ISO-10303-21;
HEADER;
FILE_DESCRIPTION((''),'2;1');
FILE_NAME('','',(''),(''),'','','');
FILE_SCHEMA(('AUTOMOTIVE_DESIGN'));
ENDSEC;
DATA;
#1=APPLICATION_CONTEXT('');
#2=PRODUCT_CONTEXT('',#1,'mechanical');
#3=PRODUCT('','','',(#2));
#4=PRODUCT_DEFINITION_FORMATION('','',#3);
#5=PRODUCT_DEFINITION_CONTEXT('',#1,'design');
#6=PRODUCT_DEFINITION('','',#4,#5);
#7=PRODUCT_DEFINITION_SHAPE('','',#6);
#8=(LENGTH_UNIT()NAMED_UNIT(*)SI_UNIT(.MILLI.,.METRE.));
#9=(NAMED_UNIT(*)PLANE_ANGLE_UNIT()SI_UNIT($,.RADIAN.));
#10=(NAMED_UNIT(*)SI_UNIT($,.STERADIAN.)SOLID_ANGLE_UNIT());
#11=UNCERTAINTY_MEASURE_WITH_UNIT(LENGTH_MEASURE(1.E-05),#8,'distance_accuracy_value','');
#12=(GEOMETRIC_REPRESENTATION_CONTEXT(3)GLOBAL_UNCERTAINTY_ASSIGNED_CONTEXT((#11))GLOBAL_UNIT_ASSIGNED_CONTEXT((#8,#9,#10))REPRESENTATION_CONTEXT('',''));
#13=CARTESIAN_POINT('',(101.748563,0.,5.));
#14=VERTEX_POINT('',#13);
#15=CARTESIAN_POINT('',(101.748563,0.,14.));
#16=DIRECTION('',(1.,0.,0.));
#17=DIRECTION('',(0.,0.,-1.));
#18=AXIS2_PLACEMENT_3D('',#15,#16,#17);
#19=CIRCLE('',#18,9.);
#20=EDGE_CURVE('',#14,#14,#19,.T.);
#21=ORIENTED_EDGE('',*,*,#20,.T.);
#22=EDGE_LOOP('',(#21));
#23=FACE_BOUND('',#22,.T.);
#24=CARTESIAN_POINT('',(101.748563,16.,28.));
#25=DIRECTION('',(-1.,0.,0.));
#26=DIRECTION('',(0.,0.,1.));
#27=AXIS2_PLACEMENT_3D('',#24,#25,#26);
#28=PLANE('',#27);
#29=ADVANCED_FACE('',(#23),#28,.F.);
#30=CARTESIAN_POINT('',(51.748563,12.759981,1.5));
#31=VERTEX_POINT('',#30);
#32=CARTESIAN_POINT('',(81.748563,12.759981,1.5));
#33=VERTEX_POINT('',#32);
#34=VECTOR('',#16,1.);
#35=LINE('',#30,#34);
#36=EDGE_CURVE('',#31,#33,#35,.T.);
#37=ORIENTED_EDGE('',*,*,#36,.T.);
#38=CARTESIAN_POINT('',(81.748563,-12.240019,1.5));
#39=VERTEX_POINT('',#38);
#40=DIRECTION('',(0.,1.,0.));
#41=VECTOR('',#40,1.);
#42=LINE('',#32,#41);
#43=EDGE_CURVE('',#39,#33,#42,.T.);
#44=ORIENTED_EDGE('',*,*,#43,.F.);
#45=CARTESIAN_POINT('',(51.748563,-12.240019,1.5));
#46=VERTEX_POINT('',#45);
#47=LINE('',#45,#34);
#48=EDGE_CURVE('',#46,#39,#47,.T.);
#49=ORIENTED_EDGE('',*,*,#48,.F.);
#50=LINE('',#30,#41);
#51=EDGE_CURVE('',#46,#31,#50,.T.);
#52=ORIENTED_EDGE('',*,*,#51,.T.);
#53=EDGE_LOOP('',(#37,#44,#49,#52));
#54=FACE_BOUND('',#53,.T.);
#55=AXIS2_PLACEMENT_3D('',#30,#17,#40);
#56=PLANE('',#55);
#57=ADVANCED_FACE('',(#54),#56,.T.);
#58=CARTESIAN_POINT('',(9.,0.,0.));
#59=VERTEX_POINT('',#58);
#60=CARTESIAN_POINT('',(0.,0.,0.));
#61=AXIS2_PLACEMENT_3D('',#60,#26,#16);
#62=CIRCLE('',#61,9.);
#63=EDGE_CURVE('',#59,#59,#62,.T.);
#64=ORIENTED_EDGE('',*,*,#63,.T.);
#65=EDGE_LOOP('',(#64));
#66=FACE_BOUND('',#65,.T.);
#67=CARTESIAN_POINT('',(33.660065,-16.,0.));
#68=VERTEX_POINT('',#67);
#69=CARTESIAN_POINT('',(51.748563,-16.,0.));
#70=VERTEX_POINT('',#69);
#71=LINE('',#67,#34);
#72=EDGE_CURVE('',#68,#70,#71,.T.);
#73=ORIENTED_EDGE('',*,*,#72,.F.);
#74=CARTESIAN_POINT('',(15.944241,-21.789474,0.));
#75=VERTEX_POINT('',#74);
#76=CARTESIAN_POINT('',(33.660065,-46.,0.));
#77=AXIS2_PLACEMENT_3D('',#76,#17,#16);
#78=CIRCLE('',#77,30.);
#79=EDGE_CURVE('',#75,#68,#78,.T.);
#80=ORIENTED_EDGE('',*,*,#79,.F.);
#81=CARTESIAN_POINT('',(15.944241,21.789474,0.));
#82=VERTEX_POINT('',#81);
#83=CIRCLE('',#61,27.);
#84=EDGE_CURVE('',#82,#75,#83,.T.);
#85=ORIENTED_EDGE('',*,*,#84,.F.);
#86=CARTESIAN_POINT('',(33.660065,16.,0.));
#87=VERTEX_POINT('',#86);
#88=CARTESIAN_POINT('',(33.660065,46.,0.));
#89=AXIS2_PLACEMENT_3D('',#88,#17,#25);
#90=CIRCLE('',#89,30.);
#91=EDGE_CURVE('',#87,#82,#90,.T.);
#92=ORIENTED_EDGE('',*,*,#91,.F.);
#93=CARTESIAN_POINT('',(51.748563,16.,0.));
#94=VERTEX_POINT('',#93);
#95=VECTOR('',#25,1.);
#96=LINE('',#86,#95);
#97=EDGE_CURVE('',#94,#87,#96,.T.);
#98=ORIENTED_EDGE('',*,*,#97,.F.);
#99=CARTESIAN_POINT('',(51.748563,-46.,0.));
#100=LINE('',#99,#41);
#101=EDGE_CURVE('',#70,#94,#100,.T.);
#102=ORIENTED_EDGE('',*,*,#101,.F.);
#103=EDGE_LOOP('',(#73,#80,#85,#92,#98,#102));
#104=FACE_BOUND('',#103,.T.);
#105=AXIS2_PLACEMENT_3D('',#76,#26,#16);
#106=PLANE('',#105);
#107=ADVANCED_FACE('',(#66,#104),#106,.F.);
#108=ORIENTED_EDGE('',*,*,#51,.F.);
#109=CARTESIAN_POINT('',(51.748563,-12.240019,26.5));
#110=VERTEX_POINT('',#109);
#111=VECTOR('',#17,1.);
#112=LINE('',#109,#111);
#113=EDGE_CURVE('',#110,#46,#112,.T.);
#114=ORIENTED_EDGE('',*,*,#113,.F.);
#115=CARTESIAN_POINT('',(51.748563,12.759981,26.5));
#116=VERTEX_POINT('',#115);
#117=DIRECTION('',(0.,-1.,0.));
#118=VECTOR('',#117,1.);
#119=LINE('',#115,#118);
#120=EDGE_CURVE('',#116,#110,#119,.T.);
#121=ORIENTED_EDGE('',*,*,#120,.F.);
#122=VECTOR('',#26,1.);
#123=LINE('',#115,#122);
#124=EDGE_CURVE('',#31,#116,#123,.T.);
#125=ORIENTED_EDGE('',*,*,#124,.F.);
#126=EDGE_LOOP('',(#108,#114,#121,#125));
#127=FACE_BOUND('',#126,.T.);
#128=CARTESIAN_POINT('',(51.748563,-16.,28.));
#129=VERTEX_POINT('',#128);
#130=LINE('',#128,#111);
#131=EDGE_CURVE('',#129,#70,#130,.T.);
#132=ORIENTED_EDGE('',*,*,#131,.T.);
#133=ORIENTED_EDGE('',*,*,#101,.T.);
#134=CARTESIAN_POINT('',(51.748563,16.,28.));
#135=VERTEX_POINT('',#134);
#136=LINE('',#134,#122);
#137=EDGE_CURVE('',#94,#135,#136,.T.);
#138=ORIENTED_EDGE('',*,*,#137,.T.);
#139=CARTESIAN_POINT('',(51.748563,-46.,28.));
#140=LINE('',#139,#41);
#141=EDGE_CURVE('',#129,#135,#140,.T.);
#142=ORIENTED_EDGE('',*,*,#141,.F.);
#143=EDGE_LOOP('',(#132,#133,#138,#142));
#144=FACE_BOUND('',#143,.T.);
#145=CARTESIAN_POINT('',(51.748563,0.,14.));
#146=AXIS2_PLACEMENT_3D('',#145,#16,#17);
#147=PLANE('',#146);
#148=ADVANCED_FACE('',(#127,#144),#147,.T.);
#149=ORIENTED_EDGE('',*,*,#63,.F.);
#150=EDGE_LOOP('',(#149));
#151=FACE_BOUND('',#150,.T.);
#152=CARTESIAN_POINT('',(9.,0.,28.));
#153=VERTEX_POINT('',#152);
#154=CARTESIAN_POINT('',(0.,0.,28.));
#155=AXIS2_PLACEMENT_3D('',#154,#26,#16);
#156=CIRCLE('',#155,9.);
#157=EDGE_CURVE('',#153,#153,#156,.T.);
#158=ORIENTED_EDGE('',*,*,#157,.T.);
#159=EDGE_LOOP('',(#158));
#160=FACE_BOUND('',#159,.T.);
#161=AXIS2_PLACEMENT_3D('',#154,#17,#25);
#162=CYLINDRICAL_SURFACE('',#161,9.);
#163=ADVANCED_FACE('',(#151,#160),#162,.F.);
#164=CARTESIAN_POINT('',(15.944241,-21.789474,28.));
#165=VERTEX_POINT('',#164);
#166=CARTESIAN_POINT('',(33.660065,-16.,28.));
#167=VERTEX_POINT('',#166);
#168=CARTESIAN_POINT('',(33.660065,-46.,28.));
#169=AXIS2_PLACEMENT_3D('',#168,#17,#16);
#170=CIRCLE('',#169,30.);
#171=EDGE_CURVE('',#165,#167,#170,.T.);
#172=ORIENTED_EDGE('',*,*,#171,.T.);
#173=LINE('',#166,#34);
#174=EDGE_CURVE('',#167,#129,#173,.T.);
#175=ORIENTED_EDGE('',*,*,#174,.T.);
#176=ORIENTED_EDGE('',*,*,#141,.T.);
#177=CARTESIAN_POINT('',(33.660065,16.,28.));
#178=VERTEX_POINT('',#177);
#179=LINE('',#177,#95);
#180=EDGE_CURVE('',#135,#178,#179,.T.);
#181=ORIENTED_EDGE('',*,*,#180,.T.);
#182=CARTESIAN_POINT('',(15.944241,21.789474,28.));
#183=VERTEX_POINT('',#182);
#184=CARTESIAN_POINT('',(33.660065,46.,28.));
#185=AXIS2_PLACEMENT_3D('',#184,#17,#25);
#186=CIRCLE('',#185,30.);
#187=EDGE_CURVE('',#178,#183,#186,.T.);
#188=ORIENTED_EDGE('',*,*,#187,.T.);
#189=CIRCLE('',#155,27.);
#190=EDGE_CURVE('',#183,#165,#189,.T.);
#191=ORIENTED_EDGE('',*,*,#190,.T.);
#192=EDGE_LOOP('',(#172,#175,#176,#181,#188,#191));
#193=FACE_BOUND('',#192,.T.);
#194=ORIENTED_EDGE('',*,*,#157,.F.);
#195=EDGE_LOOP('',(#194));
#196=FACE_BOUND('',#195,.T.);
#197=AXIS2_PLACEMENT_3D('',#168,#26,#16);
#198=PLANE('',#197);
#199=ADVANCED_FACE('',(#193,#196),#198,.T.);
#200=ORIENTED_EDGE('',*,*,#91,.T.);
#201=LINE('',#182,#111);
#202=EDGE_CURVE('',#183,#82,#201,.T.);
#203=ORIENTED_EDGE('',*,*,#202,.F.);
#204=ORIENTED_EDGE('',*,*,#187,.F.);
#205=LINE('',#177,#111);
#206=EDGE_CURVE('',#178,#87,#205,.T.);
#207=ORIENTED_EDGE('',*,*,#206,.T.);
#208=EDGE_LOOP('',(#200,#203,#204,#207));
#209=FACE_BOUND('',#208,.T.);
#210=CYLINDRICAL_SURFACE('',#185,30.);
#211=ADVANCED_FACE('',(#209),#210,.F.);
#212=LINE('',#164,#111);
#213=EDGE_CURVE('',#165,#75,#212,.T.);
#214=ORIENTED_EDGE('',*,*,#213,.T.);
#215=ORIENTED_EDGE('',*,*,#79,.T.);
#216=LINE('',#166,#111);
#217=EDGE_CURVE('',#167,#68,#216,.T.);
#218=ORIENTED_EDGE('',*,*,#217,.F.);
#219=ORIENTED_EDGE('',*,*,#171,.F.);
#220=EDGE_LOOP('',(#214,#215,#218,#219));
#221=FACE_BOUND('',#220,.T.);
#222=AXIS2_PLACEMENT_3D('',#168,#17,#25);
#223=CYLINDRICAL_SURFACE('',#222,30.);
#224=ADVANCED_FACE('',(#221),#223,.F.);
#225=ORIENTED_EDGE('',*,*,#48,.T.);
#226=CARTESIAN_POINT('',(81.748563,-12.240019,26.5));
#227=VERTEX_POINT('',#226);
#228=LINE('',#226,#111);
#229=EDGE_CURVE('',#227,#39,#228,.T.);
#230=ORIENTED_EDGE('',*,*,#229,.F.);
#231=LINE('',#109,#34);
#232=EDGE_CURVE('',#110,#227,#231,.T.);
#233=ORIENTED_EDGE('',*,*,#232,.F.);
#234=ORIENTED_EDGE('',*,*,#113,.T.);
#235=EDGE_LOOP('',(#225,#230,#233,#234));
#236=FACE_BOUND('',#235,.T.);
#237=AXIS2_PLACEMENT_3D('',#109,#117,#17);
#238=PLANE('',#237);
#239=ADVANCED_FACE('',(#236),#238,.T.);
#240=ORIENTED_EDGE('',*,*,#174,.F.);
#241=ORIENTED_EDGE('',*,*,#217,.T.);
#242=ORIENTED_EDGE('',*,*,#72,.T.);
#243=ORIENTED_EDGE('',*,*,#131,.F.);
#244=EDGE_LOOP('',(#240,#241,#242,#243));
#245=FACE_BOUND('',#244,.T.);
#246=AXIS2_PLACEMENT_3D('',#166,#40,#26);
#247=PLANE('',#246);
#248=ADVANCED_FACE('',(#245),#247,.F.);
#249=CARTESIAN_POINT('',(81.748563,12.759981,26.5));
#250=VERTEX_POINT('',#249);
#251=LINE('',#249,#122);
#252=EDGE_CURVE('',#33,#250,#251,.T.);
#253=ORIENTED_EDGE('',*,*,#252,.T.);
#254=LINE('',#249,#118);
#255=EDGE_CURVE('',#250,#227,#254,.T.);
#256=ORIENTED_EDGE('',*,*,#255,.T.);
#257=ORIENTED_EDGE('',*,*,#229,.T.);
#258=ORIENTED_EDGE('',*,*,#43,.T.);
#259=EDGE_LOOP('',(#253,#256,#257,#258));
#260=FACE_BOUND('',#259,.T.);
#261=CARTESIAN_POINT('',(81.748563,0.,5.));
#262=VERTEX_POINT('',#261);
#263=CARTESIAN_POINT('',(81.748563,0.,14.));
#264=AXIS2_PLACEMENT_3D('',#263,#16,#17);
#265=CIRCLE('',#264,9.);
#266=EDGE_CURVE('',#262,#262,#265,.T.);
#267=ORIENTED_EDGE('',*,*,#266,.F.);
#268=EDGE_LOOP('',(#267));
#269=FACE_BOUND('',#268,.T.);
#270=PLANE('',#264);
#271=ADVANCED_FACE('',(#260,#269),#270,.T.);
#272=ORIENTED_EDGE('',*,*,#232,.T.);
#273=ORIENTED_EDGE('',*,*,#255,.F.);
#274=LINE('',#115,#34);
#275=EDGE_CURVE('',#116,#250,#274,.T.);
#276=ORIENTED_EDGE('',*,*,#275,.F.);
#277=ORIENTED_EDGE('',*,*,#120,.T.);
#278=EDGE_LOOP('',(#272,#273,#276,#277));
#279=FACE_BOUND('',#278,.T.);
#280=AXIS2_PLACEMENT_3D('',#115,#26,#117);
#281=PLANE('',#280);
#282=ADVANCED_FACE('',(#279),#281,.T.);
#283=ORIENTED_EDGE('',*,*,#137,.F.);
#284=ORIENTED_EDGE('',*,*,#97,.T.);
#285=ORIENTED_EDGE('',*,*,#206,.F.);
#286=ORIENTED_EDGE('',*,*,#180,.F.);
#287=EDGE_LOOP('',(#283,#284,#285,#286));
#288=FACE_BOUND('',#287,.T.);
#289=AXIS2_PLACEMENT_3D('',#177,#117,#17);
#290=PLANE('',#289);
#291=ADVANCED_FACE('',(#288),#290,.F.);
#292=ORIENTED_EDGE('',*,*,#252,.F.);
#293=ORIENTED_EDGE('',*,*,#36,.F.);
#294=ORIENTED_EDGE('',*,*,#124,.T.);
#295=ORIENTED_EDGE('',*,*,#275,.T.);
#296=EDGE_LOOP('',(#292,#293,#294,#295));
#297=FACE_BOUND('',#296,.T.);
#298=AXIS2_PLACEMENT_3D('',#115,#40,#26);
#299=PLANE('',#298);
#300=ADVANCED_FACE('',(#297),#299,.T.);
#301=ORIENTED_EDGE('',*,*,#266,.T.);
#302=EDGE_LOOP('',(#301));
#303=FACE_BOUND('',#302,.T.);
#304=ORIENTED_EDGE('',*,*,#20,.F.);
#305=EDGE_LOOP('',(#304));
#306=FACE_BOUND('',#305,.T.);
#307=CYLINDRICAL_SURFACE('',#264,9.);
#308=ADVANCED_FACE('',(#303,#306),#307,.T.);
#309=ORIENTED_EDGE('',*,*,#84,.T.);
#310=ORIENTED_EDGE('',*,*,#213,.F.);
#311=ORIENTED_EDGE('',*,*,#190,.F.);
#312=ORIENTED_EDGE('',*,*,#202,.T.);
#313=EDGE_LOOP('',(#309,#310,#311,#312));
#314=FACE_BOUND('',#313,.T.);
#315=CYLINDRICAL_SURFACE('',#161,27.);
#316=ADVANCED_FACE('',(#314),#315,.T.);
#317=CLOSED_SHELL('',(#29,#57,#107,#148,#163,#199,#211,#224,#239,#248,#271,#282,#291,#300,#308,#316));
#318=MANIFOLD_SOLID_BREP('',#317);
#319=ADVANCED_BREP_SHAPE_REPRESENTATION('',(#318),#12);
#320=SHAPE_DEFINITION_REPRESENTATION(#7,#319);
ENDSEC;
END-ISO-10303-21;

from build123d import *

# Parameters (mm, degrees)
SKETCH5_R           = 9
BOSS_EXTRUDE7_DEPTH = 28
SKETCH6_OUTSIDE_W   = 58.478
SKETCH6_OUTSIDE_H   = 84.478
SKETCH6_OUTSIDE_R   = 9
CUT_EXTRUDE1_DEPTH  = 20
SKETCH7_OUTSIDE_W   = 58.478
SKETCH7_OUTSIDE_H   = 84.478
SKETCH7_OUTSIDE_W_2 = 25
SKETCH7_OUTSIDE_H_2 = 25
CUT_EXTRUDE3_DEPTH  = 30


with BuildPart() as part:
    # Sketch5 → Boss-Extrude7 (new body)
    with BuildSketch(Plane.XY):
        with BuildLine():
            Line((33.660065359, 16), (101.748563171, 16))
            Line((101.748563171, 16), (101.748563171, -16))
            Line((101.748563171, -16), (33.660065359, -16))
            ThreePointArc((33.660065359, -16), (24.341154196, -17.484076471), (15.944241486, -21.789473684))
            ThreePointArc((15.944241486, -21.789473684), (-27, 0), (15.944241486, 21.789473684))
            ThreePointArc((15.944241486, 21.789473684), (24.341154196, 17.484076471), (33.660065359, 16))
        make_face()
        Circle(SKETCH5_R, mode=Mode.SUBTRACT)
    extrude(amount=BOSS_EXTRUDE7_DEPTH)

    # Sketch6 outside → Cut-Extrude1 (cut)
    with BuildSketch(Plane(origin=(101.748563171, 0, 0), x_dir=(0, 0, -1), z_dir=(1, 0, 0))):
        with Locations((-14, 0)):
            Rectangle(SKETCH6_OUTSIDE_W, SKETCH6_OUTSIDE_H)
        with Locations((-14, 0)):
            Circle(SKETCH6_OUTSIDE_R, mode=Mode.SUBTRACT)
    extrude(amount=-CUT_EXTRUDE1_DEPTH, mode=Mode.SUBTRACT)

    # Sketch7 outside → Cut-Extrude3 (cut)
    with BuildSketch(Plane(origin=(81.748563171, 0, 0), x_dir=(0, 0, -1), z_dir=(1, 0, 0))):
        with Locations((-14, 0)):
            Rectangle(SKETCH7_OUTSIDE_W, SKETCH7_OUTSIDE_H)
        with Locations((-14, 0.259981409)):
            Rectangle(SKETCH7_OUTSIDE_W_2, SKETCH7_OUTSIDE_H_2, mode=Mode.SUBTRACT)
    extrude(amount=-CUT_EXTRUDE3_DEPTH, mode=Mode.SUBTRACT)


solid = part.part
